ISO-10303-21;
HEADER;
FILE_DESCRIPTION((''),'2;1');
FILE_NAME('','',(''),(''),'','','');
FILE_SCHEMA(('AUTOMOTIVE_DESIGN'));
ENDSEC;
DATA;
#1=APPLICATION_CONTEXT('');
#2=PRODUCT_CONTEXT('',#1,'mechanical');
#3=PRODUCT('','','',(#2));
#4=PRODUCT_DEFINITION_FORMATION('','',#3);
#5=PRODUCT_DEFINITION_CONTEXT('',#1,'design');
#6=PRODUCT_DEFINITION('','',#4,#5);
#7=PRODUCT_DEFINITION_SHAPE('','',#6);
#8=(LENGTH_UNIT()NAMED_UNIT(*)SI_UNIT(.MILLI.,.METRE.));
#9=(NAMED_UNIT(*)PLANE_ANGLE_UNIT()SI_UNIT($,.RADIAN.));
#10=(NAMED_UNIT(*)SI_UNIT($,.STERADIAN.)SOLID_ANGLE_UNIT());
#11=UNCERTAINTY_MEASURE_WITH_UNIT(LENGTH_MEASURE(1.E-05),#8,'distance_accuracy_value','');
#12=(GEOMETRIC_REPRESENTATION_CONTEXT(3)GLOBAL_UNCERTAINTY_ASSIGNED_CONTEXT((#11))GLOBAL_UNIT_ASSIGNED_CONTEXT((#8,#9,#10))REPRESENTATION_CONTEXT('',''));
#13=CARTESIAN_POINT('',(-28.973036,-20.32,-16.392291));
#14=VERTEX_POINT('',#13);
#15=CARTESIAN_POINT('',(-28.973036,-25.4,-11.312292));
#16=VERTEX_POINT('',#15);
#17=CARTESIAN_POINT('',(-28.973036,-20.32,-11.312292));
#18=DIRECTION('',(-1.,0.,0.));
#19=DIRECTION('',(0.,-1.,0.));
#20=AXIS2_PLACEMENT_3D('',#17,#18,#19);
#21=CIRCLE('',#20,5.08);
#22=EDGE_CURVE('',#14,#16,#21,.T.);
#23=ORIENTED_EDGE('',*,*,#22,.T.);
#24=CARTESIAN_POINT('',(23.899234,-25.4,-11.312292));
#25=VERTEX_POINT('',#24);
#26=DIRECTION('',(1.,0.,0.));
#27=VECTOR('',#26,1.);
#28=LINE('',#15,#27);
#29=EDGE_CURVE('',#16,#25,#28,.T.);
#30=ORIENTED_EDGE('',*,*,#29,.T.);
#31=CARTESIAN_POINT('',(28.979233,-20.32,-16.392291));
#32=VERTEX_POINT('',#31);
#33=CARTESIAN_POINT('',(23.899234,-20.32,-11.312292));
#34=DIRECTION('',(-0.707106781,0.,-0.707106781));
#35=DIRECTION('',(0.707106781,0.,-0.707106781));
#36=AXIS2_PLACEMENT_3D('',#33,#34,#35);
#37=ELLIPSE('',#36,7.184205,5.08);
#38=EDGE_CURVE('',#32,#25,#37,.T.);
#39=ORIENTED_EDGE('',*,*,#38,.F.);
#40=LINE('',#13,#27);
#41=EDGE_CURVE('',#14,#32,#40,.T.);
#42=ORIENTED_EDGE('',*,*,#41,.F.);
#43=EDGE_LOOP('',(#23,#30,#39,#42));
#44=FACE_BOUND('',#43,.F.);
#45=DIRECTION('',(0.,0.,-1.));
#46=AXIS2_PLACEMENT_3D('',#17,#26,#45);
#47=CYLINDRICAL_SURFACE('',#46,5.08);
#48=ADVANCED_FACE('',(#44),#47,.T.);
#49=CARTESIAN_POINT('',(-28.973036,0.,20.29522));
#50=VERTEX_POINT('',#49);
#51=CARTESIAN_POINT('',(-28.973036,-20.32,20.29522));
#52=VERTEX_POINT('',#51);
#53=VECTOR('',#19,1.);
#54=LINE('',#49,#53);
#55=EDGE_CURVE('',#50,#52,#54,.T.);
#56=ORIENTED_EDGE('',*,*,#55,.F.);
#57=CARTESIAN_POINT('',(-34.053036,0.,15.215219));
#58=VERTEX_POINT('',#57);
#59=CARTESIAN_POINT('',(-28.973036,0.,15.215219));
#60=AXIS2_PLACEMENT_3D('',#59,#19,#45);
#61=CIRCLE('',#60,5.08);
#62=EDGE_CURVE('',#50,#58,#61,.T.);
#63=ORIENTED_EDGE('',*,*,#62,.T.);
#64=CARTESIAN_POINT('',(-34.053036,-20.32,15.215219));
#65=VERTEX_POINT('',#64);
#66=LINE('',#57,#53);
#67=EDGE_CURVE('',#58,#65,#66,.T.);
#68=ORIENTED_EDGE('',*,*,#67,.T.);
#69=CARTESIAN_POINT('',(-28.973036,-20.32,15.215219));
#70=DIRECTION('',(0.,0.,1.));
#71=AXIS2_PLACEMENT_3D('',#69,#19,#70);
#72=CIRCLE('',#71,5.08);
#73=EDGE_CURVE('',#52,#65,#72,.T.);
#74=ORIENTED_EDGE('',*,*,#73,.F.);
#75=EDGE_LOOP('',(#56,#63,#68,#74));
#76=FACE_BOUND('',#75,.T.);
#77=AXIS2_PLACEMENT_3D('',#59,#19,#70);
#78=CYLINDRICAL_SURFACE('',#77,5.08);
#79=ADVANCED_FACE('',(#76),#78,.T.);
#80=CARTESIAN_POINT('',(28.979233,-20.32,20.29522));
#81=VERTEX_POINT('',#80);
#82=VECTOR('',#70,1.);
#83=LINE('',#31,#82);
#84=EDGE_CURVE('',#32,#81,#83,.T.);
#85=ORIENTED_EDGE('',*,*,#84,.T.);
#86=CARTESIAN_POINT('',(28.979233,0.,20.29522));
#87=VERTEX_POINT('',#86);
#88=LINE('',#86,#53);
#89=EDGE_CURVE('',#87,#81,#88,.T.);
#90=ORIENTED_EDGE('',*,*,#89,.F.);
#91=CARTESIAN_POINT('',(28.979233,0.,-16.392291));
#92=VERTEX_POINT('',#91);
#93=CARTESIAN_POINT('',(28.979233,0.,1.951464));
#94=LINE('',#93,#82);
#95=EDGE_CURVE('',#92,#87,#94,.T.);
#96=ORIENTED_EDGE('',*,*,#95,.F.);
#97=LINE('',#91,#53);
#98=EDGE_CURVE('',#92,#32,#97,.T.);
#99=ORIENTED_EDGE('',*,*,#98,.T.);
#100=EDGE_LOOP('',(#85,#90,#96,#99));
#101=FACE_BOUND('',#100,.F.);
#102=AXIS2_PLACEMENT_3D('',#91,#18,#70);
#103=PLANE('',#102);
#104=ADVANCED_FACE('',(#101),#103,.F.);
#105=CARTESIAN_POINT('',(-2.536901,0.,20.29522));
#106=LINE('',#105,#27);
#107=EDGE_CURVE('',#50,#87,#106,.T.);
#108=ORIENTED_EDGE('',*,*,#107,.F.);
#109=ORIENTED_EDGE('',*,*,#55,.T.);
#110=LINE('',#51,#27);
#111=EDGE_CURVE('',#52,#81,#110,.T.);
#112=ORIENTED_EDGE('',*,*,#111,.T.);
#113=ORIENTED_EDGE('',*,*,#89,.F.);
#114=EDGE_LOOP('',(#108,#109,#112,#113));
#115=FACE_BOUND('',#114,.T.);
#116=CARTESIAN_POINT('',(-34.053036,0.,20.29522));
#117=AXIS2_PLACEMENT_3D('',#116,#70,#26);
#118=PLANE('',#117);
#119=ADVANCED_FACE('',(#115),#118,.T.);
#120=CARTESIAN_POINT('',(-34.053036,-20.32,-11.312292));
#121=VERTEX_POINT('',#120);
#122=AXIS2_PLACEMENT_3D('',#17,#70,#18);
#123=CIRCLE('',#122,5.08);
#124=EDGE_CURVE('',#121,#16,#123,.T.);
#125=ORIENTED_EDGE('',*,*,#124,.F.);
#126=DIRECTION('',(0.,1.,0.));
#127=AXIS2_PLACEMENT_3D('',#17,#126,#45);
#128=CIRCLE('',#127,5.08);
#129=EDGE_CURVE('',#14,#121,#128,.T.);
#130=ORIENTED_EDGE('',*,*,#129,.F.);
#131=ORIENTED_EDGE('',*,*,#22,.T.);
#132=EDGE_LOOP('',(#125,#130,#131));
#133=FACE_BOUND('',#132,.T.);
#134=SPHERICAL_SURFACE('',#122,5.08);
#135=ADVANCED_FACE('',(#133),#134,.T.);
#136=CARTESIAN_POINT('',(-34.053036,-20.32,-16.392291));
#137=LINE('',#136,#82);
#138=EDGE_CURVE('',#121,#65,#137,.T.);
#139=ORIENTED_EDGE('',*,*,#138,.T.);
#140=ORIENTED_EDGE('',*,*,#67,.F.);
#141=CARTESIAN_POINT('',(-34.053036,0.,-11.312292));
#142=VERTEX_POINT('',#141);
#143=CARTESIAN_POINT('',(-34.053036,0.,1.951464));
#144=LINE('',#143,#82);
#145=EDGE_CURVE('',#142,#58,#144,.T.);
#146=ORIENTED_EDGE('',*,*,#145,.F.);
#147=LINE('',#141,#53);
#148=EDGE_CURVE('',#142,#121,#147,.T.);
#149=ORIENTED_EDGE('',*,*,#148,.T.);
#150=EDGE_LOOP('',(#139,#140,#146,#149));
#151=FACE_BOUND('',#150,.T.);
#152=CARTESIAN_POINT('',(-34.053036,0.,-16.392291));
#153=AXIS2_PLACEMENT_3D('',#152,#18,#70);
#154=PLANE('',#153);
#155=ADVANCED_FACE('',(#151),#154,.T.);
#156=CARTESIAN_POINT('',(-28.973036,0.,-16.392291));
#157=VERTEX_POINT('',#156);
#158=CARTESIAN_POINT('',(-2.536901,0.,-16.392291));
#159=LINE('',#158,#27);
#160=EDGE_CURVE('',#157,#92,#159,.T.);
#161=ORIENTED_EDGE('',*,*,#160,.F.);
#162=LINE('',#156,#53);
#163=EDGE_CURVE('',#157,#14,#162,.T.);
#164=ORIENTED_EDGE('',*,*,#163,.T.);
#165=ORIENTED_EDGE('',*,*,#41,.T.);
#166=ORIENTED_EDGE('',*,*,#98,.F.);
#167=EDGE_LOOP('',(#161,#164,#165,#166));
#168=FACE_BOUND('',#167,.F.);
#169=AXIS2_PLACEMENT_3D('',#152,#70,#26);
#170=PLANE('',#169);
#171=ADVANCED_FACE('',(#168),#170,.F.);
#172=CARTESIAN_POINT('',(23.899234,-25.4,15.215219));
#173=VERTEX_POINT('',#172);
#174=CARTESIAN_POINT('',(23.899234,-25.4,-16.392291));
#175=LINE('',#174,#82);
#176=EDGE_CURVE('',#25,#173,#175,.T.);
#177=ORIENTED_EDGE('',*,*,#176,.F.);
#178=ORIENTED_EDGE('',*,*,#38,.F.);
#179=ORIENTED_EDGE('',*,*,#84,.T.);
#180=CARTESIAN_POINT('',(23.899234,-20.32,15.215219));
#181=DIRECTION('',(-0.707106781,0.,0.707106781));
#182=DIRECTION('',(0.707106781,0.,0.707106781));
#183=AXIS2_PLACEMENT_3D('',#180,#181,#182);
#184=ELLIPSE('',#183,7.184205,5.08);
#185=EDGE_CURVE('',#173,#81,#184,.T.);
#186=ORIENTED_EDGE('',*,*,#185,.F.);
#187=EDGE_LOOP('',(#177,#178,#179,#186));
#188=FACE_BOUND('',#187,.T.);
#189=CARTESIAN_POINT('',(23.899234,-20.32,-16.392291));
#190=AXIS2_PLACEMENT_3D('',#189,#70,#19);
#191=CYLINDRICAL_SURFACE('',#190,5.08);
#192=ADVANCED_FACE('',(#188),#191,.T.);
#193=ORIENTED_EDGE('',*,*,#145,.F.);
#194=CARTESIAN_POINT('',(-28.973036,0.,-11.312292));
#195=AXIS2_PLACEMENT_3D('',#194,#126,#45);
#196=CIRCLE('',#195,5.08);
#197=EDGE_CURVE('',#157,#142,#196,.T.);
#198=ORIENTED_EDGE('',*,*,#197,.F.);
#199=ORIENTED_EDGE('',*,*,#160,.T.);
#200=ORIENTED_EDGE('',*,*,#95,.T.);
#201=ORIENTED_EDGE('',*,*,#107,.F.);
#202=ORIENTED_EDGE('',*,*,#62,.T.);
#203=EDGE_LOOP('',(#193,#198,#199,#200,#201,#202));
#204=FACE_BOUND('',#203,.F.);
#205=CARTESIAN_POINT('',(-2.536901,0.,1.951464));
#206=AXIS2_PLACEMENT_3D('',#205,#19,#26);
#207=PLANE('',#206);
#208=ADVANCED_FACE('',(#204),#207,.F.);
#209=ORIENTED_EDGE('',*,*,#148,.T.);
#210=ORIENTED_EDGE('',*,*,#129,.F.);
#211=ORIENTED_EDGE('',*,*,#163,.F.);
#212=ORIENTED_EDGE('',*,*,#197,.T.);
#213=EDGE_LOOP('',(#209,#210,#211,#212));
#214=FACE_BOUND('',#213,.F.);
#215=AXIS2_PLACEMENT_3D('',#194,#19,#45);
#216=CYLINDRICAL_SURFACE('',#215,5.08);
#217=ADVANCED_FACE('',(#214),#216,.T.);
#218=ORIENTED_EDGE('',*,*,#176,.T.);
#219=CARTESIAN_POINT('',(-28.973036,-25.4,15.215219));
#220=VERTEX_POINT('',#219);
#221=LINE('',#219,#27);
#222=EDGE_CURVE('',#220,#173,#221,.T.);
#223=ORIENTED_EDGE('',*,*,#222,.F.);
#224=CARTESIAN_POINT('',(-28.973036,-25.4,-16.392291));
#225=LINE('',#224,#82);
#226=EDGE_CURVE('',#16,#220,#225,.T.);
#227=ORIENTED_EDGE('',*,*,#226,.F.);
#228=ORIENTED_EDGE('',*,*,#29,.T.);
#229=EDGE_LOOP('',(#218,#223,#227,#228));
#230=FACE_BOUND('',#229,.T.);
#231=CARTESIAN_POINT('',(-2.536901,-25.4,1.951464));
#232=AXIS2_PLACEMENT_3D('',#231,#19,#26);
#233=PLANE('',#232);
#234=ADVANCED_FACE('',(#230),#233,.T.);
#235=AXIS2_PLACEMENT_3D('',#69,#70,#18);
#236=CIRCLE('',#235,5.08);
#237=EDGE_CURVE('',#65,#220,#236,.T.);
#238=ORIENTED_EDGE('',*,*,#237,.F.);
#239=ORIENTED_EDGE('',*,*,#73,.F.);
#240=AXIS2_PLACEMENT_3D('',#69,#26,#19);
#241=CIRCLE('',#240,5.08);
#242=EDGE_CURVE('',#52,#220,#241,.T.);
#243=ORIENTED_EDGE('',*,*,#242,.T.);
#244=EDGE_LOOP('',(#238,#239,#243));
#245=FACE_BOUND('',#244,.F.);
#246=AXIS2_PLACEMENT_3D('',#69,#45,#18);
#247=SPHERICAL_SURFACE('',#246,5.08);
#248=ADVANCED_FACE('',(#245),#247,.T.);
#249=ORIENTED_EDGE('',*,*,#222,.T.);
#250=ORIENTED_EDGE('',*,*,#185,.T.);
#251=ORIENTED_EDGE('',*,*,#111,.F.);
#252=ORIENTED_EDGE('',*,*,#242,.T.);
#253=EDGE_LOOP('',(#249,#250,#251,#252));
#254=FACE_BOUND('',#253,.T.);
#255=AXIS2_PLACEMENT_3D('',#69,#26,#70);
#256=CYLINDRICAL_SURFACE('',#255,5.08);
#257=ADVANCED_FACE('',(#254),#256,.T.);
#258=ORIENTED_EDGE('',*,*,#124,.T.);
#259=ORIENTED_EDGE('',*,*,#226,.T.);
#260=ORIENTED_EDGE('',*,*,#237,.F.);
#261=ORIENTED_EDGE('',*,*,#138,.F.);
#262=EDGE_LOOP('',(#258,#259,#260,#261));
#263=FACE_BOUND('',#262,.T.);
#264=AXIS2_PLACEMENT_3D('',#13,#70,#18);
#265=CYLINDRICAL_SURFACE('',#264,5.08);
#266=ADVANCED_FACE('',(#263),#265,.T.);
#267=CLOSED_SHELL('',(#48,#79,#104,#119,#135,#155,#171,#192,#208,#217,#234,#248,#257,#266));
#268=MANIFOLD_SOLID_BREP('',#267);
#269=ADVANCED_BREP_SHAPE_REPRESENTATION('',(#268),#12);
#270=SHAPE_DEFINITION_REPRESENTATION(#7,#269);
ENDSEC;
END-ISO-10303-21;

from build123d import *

# Parameters (mm, degrees)
F0_W     = 63.032269
F0_H     = 36.687511
F1_DEPTH = 25.4
F2_R     = 5.08
F3_R     = 5.08


with BuildPart() as f1:
    # F0 (on Front) → F1 (new body)
    with BuildSketch(Plane.XZ):
        with Locations((-2.536901, 1.951464)):
            Rectangle(F0_W, F0_H)
    extrude(amount=F1_DEPTH)

    # F2
    f2_edges = [f1.edges().sort_by_distance(p)[0] for p in [
        (-34.053035, -25.4, 1.951464),
    ]]
    fillet(f2_edges, radius=F2_R)

    # F3
    f3_edges = [f1.edges().sort_by_distance(p)[0] for p in [
        (0.0031, -25.4, -16.392292),
        (28.979234, -25.4, 1.951464),
        (0.0031, -25.4, 20.295219),
    ]]
    fillet(f3_edges, radius=F3_R)


solid = f1.part
